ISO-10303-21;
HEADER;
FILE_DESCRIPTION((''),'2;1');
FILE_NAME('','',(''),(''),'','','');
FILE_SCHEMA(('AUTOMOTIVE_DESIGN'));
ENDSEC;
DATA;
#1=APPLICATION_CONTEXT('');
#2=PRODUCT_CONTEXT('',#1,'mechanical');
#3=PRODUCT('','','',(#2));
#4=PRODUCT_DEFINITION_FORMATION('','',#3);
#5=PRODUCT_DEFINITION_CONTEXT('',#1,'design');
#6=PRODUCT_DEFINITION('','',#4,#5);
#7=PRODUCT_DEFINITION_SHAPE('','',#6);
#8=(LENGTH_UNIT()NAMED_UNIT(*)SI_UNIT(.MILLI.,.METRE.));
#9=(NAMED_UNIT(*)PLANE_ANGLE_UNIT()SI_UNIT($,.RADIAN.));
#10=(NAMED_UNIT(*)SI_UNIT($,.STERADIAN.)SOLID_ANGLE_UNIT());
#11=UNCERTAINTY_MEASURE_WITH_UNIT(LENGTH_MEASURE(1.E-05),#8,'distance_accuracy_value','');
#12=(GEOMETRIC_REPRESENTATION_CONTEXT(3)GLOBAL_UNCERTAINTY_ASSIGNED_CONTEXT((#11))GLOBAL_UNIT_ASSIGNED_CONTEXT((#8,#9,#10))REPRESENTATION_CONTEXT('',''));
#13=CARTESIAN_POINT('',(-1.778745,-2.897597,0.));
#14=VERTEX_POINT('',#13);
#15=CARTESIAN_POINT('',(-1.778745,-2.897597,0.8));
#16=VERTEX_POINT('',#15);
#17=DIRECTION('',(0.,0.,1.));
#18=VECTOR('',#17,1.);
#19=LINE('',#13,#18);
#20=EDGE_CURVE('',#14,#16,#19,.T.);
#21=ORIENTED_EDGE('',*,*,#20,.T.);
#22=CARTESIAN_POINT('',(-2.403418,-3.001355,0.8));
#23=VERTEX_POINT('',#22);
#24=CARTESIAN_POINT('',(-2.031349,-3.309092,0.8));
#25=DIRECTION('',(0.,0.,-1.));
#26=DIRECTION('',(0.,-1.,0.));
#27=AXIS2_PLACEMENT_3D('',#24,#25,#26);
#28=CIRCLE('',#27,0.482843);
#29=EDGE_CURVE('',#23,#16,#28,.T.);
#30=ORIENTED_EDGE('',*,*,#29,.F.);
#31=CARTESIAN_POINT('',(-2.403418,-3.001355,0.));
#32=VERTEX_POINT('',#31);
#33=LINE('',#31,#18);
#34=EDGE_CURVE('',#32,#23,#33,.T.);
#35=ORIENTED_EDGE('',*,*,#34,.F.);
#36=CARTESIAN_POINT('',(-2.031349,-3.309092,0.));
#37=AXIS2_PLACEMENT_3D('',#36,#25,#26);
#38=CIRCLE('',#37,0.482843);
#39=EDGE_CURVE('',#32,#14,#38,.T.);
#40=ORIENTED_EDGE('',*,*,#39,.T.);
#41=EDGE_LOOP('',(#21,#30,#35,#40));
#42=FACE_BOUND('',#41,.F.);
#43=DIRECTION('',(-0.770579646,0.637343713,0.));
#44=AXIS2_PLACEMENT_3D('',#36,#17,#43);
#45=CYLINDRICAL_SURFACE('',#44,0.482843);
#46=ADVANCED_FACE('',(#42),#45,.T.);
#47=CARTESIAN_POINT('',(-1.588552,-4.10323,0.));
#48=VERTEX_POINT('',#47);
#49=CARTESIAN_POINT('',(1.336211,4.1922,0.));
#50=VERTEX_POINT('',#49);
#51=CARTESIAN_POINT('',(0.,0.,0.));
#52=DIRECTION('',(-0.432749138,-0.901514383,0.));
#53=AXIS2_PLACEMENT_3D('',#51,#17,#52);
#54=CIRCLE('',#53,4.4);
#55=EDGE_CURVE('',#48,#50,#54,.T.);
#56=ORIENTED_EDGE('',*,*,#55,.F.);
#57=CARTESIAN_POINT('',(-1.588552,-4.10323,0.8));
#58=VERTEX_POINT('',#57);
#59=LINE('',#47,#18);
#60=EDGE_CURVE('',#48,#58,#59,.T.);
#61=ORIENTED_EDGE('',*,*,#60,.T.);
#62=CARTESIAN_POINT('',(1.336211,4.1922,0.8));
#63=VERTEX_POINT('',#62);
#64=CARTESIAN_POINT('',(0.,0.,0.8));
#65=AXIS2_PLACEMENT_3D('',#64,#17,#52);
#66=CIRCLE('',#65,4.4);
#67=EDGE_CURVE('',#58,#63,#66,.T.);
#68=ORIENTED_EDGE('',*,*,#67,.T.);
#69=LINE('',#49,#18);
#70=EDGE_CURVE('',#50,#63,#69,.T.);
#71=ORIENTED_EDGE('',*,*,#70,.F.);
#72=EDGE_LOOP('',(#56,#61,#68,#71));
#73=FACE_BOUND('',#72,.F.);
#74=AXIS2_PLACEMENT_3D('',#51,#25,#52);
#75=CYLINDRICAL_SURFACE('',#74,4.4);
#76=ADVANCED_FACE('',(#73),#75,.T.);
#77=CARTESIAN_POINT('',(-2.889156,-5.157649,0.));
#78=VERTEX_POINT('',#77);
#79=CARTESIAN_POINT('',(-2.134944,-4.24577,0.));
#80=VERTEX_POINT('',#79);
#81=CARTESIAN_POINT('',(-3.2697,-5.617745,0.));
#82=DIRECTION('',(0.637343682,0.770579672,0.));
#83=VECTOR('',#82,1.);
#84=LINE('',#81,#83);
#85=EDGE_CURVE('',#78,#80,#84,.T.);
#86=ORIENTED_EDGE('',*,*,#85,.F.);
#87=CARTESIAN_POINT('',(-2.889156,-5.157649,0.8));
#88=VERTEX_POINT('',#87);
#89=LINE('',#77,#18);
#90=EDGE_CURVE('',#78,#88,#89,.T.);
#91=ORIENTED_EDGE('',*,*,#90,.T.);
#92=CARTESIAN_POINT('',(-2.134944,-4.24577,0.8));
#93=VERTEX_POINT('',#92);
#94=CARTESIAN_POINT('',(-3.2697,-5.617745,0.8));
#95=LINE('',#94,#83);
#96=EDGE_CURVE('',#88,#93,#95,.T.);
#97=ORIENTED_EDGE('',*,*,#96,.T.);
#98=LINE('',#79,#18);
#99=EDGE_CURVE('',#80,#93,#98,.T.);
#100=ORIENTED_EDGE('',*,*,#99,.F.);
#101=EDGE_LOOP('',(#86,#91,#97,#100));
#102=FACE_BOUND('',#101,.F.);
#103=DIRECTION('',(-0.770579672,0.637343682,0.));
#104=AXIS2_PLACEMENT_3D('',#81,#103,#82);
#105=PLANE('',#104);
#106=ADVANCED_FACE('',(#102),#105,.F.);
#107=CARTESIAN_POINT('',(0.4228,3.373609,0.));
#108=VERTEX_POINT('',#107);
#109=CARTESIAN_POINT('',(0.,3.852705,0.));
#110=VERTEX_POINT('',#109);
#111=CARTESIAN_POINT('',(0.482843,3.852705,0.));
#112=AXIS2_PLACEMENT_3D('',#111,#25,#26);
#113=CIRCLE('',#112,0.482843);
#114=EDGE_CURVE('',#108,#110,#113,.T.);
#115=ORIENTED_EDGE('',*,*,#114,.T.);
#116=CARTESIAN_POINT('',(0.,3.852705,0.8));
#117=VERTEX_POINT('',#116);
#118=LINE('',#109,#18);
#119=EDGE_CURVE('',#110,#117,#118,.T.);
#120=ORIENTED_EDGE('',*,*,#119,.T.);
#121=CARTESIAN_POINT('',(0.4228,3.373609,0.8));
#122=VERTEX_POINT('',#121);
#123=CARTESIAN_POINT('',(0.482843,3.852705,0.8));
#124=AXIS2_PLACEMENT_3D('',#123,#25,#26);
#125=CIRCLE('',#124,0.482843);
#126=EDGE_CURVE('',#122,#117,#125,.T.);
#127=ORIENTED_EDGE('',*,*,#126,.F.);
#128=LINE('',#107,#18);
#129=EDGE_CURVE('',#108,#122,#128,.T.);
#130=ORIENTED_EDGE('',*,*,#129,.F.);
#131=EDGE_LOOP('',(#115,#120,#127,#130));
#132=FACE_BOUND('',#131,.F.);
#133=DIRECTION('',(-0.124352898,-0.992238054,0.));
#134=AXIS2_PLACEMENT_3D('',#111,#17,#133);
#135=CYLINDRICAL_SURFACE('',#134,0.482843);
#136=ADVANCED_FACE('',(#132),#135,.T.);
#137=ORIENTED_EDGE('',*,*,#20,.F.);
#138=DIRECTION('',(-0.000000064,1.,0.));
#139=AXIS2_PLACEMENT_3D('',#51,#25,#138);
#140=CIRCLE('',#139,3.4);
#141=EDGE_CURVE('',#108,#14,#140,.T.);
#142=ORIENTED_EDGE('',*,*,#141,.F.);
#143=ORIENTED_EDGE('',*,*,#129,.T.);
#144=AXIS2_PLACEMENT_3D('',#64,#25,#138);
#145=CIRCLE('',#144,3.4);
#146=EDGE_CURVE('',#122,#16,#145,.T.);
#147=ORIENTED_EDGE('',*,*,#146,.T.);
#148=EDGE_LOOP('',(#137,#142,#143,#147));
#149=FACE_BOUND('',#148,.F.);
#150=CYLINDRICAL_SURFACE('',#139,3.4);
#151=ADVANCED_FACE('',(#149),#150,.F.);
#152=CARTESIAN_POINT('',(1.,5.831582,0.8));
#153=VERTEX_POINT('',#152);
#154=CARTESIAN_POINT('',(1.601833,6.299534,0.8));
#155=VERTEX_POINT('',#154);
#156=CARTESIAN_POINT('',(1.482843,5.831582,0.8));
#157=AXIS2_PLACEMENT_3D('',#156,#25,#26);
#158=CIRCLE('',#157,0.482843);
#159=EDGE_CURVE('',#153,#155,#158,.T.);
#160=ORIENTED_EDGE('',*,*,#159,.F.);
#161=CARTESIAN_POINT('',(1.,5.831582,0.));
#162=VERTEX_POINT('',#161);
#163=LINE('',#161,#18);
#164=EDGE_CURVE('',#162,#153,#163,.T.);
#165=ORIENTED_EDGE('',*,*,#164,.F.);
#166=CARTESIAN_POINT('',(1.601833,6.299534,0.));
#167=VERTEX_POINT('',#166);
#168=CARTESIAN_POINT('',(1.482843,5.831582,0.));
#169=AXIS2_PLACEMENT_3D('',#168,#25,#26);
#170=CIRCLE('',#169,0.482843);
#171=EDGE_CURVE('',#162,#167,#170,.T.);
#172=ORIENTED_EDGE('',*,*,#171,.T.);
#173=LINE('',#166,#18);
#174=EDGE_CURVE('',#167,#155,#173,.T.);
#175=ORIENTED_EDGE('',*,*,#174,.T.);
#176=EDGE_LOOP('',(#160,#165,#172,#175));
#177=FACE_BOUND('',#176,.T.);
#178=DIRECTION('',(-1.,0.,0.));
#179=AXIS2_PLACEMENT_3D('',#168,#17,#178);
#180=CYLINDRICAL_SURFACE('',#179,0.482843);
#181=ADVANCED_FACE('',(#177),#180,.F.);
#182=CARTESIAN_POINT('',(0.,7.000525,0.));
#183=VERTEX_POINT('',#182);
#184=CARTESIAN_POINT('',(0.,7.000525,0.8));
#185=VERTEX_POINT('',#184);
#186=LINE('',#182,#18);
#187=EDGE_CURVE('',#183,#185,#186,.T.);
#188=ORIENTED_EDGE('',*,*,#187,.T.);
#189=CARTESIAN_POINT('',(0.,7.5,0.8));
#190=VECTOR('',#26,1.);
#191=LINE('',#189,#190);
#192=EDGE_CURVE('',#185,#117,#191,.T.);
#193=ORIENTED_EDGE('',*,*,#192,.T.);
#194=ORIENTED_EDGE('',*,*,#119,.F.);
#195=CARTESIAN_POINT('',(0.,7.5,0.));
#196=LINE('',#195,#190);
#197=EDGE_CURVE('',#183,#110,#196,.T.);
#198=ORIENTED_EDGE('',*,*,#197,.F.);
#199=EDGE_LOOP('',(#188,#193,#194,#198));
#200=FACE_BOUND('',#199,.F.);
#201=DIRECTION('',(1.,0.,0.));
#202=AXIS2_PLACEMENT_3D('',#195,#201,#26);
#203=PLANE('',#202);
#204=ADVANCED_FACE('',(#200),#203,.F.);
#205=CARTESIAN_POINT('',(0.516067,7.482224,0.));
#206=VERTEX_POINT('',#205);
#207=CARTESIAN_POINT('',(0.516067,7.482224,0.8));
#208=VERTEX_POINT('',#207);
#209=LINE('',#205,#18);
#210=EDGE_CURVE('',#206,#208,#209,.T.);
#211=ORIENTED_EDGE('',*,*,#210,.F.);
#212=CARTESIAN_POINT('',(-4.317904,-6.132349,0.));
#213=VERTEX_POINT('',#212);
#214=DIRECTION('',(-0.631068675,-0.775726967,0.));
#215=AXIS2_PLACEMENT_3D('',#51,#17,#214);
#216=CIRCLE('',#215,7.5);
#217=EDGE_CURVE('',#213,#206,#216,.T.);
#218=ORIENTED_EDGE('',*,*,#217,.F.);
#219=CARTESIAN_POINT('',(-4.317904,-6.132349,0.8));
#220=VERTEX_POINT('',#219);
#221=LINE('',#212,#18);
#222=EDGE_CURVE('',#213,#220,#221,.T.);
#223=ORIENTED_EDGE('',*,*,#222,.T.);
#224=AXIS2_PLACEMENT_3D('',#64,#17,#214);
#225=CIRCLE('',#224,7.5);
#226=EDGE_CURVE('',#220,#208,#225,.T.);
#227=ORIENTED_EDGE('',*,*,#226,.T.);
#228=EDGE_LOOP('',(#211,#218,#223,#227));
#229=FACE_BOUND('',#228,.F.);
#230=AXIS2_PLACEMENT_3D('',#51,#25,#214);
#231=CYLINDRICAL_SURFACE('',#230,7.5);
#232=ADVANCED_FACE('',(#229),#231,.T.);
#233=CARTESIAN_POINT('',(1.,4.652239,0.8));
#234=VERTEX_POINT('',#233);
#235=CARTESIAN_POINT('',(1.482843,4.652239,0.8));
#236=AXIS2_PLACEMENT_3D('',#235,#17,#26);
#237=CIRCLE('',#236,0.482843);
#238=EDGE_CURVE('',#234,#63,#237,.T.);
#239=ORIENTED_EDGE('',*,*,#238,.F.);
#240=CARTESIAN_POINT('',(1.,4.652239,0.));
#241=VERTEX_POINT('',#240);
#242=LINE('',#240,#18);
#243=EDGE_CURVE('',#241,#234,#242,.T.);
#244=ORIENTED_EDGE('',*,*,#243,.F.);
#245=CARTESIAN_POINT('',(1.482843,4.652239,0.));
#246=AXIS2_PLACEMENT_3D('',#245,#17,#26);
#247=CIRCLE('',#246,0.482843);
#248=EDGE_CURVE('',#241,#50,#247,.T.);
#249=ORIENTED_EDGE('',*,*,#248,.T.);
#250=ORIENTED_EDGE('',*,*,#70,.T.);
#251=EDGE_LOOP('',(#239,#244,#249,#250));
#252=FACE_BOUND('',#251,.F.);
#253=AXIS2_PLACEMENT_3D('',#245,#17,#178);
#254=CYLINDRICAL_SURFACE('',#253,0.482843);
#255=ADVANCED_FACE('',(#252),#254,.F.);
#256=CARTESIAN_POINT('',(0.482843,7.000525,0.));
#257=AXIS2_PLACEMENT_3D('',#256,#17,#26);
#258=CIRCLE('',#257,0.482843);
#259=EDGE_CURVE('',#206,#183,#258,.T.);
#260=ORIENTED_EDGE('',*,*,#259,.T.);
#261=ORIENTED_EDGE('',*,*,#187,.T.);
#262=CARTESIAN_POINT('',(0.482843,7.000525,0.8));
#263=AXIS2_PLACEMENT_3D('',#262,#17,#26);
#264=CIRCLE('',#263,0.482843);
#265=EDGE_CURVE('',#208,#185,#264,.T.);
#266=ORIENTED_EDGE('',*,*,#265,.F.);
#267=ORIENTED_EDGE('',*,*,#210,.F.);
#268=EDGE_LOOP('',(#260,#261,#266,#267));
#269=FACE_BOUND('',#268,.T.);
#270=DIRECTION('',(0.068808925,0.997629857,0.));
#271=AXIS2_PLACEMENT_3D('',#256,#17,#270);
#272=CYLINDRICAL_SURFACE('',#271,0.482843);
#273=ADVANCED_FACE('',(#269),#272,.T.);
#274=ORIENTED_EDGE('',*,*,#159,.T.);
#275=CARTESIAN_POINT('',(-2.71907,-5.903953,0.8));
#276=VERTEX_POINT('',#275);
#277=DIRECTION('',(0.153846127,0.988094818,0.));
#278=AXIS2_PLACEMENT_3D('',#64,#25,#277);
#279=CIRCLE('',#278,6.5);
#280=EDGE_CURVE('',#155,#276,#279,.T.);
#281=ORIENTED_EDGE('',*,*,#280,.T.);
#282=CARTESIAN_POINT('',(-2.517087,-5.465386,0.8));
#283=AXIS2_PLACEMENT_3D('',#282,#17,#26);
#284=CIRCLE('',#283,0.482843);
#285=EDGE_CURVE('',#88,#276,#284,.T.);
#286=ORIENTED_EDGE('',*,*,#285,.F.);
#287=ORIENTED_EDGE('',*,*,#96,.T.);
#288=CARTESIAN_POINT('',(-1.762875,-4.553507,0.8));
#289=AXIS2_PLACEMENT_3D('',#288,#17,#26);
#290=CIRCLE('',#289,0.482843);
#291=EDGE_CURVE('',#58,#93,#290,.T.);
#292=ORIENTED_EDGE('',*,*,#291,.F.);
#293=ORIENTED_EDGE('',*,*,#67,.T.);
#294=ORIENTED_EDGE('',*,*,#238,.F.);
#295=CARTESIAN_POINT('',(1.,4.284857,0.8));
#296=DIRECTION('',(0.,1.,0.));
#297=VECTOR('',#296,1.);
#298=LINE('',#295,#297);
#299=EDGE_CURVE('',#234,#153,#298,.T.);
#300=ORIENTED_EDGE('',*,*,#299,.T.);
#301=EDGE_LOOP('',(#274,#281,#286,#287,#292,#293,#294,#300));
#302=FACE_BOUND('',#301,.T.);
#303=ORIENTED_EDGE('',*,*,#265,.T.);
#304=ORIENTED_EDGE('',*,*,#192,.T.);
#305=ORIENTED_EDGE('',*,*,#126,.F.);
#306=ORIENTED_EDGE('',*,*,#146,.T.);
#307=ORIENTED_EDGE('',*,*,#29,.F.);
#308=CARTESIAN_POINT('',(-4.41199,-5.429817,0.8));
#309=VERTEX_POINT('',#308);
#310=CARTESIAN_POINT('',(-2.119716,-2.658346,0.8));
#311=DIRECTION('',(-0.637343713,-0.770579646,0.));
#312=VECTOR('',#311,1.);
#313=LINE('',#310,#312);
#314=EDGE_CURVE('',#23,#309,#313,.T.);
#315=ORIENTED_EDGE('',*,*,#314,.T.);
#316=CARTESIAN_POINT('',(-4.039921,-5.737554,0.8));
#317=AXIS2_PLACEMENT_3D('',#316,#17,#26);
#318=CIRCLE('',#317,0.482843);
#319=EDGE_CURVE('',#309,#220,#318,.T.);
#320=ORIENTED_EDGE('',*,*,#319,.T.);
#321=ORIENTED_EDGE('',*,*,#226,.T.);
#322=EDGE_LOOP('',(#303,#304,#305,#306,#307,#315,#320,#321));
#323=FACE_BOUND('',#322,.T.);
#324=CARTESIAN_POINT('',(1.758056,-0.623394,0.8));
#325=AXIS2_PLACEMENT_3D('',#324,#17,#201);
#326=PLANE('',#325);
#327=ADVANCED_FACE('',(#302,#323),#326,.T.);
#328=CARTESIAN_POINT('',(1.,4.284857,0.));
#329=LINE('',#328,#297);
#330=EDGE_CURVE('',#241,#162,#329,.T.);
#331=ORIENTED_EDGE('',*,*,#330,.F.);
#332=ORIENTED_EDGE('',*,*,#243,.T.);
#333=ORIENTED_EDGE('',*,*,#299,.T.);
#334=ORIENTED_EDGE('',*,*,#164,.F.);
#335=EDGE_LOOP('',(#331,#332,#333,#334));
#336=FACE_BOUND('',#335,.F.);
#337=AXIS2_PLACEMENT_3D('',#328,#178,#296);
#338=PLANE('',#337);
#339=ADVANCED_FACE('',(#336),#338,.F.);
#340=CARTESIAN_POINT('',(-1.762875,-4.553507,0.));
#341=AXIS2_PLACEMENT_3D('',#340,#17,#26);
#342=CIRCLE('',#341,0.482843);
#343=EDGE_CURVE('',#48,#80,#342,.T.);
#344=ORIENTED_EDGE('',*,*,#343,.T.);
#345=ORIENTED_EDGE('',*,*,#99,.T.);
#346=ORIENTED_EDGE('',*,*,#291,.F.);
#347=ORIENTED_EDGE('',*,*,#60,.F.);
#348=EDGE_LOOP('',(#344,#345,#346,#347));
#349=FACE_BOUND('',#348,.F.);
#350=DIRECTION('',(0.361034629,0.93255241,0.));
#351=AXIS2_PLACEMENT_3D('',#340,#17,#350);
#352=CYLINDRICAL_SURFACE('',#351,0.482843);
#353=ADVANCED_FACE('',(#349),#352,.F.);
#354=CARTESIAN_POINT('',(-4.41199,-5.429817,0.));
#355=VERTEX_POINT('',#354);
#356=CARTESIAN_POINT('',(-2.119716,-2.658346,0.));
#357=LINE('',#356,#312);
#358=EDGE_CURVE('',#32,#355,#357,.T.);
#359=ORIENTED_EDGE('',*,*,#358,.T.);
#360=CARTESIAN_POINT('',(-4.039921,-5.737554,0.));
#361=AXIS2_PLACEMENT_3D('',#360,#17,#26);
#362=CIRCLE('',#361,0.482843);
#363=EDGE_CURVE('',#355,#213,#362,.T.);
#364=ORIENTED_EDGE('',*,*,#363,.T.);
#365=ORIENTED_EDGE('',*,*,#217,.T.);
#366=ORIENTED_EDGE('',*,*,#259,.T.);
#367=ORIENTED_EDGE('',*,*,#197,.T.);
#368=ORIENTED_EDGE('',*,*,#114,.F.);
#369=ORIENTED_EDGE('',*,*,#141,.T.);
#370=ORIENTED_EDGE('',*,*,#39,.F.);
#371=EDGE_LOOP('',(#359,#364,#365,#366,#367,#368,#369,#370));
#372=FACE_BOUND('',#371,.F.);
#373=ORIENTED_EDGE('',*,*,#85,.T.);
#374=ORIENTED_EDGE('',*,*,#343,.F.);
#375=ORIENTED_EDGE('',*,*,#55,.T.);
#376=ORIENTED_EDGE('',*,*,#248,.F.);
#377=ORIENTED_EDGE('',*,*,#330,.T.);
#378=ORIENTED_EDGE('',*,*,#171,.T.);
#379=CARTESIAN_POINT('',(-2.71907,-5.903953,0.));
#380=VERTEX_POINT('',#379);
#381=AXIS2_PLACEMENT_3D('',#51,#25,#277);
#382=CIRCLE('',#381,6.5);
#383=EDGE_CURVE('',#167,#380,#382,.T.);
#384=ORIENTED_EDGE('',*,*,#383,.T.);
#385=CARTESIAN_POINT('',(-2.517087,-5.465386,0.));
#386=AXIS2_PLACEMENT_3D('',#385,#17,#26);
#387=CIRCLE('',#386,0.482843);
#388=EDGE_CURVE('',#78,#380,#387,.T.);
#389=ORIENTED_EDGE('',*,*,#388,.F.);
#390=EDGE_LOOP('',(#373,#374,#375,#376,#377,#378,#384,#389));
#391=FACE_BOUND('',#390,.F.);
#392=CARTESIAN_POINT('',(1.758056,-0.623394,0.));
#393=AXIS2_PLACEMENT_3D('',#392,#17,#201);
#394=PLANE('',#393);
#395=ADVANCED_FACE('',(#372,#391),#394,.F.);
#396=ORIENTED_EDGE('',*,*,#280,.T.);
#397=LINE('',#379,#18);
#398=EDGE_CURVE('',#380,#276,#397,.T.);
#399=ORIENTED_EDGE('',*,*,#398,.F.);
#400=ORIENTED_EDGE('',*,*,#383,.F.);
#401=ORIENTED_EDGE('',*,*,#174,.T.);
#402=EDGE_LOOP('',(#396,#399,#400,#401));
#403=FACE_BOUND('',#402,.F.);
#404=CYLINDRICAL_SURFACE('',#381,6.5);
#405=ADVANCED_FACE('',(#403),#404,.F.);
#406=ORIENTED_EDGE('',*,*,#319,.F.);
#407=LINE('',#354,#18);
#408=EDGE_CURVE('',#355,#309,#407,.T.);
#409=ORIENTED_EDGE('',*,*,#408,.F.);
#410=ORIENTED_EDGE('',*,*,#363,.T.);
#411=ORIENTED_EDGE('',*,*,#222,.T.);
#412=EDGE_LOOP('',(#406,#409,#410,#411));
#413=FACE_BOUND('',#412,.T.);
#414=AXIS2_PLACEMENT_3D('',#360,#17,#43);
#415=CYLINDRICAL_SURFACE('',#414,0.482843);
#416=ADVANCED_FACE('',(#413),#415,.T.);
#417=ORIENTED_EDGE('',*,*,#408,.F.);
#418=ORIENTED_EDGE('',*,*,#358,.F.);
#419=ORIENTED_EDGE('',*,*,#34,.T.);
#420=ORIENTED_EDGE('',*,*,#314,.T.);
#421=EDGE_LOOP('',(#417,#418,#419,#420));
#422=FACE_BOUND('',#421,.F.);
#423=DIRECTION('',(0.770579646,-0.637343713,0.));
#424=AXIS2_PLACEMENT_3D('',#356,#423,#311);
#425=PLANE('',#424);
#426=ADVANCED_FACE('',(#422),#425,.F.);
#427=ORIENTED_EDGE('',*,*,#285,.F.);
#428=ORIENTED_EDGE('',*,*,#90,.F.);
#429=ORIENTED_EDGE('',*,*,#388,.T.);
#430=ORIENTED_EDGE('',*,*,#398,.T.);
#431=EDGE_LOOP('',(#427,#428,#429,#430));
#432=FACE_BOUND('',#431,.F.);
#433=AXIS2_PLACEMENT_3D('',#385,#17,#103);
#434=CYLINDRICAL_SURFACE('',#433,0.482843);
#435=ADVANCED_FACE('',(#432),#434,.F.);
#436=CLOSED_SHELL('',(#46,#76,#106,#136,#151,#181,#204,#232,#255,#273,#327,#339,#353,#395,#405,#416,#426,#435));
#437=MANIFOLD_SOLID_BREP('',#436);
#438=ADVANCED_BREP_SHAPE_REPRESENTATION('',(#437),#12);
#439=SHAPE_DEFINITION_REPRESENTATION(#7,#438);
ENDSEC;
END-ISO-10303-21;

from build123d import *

# Parameters (mm, degrees)
F1_DEPTH = 0.8
F2_R     = 0.482843


with BuildPart() as f1:
    # F0 (on Top) → F1 (new body)
    with BuildSketch(Plane.XY):
        with BuildLine():
            Line((-2.119716, -2.658346), (-4.733015, -5.817952))
            ThreePointArc((-4.733015, -5.817952), (7.066988, -2.511509), (0, 7.5))
            Line((0, 7.5), (0, 3.4))
            ThreePointArc((0, 3.4), (3.209235, -1.122859), (-2.119716, -2.658346))
        make_face()
        with BuildLine():
            ThreePointArc((1, 6.422616), (6.126211, -2.17245), (-3.2697, -5.617745))
            Line((-3.2697, -5.617745), (-1.904096, -3.966663))
            ThreePointArc((-1.904096, -3.966663), (4.150451, -1.460738), (1, 4.284857))
            Line((1, 4.284857), (1, 6.422616))
        make_face(mode=Mode.SUBTRACT)
    extrude(amount=F1_DEPTH)

    # F2
    f2_edges = [f1.edges().sort_by_distance(p)[0] for p in [
        (-3.2697, -5.617745, 0.4),
        (-1.904096, -3.966663, 0.4),
        (1, 4.284857, 0.4),
        (1, 6.422616, 0.4),
        (0, 3.4, 0.4),
        (-2.119716, -2.658346, 0.4),
        (-4.733015, -5.817952, 0.4),
        (0, 7.5, 0.4),
    ]]
    fillet(f2_edges, radius=F2_R)


solid = f1.part
